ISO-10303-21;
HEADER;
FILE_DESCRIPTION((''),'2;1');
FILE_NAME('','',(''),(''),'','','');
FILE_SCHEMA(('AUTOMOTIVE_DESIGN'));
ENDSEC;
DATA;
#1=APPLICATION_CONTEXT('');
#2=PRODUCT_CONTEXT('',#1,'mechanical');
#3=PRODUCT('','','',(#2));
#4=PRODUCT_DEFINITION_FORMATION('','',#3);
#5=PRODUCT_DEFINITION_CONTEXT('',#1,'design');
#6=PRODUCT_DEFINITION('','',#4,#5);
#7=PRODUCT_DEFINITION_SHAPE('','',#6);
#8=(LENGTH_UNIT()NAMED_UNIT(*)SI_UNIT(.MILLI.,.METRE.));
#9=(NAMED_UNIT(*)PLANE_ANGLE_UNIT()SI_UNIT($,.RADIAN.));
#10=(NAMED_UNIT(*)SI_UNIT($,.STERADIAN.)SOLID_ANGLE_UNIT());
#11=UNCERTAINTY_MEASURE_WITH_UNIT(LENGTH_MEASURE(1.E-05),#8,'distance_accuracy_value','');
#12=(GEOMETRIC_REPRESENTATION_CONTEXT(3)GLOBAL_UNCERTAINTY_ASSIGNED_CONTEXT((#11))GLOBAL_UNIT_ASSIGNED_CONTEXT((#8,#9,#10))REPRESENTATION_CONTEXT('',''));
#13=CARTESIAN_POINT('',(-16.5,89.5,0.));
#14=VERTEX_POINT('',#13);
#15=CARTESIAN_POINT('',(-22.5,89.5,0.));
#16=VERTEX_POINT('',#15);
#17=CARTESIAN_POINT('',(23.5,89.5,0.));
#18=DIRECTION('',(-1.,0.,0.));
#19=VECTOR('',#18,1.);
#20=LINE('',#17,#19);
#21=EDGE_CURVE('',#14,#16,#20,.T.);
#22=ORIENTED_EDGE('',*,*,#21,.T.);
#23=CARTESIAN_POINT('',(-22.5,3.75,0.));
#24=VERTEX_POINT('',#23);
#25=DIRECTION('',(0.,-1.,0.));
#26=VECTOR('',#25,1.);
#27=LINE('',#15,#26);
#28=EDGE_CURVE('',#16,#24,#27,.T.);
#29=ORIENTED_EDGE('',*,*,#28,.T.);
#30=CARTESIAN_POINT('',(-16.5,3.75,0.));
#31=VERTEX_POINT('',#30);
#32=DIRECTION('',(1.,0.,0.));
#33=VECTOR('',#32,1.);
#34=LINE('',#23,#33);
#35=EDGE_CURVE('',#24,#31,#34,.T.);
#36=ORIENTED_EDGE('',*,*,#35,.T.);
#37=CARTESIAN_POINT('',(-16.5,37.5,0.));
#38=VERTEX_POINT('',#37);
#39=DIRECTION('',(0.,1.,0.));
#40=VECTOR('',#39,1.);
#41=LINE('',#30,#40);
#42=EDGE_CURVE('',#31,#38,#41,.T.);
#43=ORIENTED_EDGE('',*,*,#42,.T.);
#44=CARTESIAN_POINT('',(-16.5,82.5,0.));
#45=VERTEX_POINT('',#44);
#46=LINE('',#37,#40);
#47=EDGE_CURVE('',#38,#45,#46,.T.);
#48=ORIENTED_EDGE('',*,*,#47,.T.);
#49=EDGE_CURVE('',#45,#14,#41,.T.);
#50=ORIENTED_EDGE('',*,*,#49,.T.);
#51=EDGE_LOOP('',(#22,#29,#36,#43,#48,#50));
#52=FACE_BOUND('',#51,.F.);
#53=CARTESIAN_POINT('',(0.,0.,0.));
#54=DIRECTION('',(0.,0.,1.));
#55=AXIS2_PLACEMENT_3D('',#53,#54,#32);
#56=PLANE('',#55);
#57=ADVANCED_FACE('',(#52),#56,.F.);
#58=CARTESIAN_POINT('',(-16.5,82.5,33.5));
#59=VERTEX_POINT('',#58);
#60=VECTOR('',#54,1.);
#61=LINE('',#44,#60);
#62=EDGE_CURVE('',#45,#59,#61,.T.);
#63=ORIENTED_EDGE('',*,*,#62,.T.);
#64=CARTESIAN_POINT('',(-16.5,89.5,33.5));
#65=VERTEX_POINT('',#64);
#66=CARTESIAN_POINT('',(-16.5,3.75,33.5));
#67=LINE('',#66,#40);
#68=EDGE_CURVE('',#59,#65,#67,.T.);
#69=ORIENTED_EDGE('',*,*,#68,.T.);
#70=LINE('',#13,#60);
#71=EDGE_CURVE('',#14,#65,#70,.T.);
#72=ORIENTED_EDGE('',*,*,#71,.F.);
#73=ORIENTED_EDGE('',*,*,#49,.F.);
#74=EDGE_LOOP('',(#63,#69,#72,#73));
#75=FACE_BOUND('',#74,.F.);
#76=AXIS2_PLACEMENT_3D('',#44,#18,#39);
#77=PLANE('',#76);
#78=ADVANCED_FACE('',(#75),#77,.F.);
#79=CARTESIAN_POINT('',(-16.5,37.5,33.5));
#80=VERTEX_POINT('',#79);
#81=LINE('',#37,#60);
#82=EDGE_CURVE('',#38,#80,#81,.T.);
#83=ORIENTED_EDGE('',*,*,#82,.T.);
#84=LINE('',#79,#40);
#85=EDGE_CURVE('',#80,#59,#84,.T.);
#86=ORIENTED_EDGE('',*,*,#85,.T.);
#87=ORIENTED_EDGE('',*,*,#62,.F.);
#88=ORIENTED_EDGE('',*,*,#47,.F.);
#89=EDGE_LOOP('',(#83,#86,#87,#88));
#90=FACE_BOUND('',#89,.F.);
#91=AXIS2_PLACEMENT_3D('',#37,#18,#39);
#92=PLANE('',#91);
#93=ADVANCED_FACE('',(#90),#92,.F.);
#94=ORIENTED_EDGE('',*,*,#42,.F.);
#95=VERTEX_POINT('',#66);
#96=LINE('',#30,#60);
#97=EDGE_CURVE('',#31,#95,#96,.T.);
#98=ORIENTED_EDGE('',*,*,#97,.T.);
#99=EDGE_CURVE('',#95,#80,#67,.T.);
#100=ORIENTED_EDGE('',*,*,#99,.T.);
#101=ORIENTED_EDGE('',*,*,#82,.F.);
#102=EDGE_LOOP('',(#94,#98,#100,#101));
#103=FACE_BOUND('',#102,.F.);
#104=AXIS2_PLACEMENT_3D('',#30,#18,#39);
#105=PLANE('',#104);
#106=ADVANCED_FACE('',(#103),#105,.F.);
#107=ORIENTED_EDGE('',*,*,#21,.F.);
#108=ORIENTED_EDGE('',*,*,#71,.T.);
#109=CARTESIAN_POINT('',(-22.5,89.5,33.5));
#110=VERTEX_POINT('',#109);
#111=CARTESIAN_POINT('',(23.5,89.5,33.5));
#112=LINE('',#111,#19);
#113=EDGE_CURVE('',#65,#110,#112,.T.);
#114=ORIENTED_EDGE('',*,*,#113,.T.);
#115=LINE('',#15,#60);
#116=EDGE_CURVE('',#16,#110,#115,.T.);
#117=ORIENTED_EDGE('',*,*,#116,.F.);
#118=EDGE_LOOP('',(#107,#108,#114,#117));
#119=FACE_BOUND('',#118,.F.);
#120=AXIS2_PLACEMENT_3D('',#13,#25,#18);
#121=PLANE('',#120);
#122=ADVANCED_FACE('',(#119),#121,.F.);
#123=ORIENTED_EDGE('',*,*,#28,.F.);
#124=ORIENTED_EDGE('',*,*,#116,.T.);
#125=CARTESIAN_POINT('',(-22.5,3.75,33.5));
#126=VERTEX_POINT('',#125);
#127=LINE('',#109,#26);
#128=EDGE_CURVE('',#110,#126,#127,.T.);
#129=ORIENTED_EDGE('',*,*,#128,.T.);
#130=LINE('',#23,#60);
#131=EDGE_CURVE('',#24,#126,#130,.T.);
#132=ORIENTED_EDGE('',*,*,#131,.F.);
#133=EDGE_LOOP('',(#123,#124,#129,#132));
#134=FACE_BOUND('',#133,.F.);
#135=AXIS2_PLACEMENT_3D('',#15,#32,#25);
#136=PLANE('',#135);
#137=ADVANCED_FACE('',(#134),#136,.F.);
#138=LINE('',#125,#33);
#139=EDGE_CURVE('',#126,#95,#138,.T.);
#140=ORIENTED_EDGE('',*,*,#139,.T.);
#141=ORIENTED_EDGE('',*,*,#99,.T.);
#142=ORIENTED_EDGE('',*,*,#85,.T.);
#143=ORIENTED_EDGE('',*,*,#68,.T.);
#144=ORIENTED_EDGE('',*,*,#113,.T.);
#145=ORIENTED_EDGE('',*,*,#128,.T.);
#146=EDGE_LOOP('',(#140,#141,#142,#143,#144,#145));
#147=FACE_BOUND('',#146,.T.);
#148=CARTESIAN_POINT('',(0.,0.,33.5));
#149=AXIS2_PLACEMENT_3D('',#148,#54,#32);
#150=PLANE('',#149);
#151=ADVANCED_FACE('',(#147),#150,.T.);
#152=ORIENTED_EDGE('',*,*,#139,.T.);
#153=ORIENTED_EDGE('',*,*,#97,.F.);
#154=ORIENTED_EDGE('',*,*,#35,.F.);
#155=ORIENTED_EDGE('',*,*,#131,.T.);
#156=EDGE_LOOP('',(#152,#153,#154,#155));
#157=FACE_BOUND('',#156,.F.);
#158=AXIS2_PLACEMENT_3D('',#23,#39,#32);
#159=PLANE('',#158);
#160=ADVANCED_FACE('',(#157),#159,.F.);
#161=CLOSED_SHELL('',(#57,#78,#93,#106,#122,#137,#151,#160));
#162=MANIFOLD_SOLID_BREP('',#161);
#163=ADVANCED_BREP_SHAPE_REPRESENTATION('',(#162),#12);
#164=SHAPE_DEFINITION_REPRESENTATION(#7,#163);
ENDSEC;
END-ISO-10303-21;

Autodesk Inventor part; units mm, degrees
ref_plane "YZ Plane" through (0, 0, 0) normal (1, 0, 0) x (0, 1, 0)
ref_plane "XZ Plane" through (0, 0, 0) normal (0, 1, 0) x (-1, 0, 0)
ref_plane "Work Plane1" through (0, 0, 0) normal (0, 0, 1) x (1, 0, 0)
sketch "Sketch1" plane through (0, 0, 0) normal (0, 0, 1) x (1, 0, 0)
  line L0 (23.5, 89.5) -> (-23.5, 89.5) projected
  line L1 (-23.5, 89.5) -> (-23.5, 37.5) projected
  arc A0 (-26.5, 34.5) -> (-23.5, 37.5) centre (-26.5, 37.5) ccw projected
  line L2 (-26.5, 34.5) -> (-89, 34.5) projected
  line L3 (-89, 34.5) -> (-89, -69.5) projected
  line L4 (-89, -69.5) -> (-77, -69.5) projected
  arc A1 (-74, -72.5) -> (-77, -69.5) centre (-77, -72.5) ccw projected
  line L5 (-74, -72.5) -> (-74, -89.5) projected
  line L6 (-74, -89.5) -> (74, -89.5) projected
  line L7 (74, -89.5) -> (74, -72.5) projected
  arc A2 (77, -69.5) -> (74, -72.5) centre (77, -72.5) ccw projected
  line L8 (77, -69.5) -> (89, -69.5) projected
  line L9 (89, -69.5) -> (89, 34.5) projected
  line L10 (89, 34.5) -> (26.5, 34.5) projected
  arc A3 (23.5, 37.5) -> (26.5, 34.5) centre (26.5, 37.5) ccw projected
  line L11 (23.5, 37.5) -> (23.5, 89.5) projected
  line L12 (-4.5, 82.5) -> (-4.5, 37.5) projected
  arc A4 (-7.5, 34.5) -> (-4.5, 37.5) centre (-7.5, 37.5) ccw projected
  line L13 (-7.5, 34.5) -> (-13.5, 34.5) projected
  arc A5 (-16.5, 37.5) -> (-13.5, 34.5) centre (-13.5, 37.5) ccw projected
  line L14 (-16.5, 37.5) -> (-16.5, 82.5) projected
  arc A6 (-13.5, 85.5) -> (-16.5, 82.5) centre (-13.5, 82.5) ccw projected
  line L15 (-13.5, 85.5) -> (-7.5, 85.5) projected
  arc A7 (-4.5, 82.5) -> (-7.5, 85.5) centre (-7.5, 82.5) ccw projected
  line L16 (16.5, 82.5) -> (16.5, 37.5) projected
  arc A8 (13.5, 34.5) -> (16.5, 37.5) centre (13.5, 37.5) ccw projected
  line L17 (13.5, 34.5) -> (7.5, 34.5) projected
  arc A9 (4.5, 37.5) -> (7.5, 34.5) centre (7.5, 37.5) ccw projected
  line L18 (4.5, 37.5) -> (4.5, 82.5) projected
  arc A10 (7.5, 85.5) -> (4.5, 82.5) centre (7.5, 82.5) ccw projected
  line L19 (7.5, 85.5) -> (13.5, 85.5) projected
  arc A11 (16.5, 82.5) -> (13.5, 85.5) centre (13.5, 82.5) ccw projected
  line L20 (-16.5, 89.5) -> (-22.5, 89.5)
  line L21 (-22.5, 89.5) -> (-22.5, 3.75)
  line L22 (-22.5, 3.75) -> (-16.5, 3.75)
  line L23 (-16.5, 3.75) -> (-16.5, 89.5)
  line L24 (-32.2, 4.75) -> (-59.9, 4.75)
  point P0 (0, 0)
  dimension "d0" = 1
  dimension "d2" = 1
ref_plane "Work Plane2" through (-89, -40.3889, 33.5) normal (0, 0, 1) x (1, 0, 0)
extrude "Extrusion1" add sketch "Sketch1" along normal up to surface (33.5 mm away) contours L23 L14 L22 L21 L0
properties part number "right_gear_holder"
